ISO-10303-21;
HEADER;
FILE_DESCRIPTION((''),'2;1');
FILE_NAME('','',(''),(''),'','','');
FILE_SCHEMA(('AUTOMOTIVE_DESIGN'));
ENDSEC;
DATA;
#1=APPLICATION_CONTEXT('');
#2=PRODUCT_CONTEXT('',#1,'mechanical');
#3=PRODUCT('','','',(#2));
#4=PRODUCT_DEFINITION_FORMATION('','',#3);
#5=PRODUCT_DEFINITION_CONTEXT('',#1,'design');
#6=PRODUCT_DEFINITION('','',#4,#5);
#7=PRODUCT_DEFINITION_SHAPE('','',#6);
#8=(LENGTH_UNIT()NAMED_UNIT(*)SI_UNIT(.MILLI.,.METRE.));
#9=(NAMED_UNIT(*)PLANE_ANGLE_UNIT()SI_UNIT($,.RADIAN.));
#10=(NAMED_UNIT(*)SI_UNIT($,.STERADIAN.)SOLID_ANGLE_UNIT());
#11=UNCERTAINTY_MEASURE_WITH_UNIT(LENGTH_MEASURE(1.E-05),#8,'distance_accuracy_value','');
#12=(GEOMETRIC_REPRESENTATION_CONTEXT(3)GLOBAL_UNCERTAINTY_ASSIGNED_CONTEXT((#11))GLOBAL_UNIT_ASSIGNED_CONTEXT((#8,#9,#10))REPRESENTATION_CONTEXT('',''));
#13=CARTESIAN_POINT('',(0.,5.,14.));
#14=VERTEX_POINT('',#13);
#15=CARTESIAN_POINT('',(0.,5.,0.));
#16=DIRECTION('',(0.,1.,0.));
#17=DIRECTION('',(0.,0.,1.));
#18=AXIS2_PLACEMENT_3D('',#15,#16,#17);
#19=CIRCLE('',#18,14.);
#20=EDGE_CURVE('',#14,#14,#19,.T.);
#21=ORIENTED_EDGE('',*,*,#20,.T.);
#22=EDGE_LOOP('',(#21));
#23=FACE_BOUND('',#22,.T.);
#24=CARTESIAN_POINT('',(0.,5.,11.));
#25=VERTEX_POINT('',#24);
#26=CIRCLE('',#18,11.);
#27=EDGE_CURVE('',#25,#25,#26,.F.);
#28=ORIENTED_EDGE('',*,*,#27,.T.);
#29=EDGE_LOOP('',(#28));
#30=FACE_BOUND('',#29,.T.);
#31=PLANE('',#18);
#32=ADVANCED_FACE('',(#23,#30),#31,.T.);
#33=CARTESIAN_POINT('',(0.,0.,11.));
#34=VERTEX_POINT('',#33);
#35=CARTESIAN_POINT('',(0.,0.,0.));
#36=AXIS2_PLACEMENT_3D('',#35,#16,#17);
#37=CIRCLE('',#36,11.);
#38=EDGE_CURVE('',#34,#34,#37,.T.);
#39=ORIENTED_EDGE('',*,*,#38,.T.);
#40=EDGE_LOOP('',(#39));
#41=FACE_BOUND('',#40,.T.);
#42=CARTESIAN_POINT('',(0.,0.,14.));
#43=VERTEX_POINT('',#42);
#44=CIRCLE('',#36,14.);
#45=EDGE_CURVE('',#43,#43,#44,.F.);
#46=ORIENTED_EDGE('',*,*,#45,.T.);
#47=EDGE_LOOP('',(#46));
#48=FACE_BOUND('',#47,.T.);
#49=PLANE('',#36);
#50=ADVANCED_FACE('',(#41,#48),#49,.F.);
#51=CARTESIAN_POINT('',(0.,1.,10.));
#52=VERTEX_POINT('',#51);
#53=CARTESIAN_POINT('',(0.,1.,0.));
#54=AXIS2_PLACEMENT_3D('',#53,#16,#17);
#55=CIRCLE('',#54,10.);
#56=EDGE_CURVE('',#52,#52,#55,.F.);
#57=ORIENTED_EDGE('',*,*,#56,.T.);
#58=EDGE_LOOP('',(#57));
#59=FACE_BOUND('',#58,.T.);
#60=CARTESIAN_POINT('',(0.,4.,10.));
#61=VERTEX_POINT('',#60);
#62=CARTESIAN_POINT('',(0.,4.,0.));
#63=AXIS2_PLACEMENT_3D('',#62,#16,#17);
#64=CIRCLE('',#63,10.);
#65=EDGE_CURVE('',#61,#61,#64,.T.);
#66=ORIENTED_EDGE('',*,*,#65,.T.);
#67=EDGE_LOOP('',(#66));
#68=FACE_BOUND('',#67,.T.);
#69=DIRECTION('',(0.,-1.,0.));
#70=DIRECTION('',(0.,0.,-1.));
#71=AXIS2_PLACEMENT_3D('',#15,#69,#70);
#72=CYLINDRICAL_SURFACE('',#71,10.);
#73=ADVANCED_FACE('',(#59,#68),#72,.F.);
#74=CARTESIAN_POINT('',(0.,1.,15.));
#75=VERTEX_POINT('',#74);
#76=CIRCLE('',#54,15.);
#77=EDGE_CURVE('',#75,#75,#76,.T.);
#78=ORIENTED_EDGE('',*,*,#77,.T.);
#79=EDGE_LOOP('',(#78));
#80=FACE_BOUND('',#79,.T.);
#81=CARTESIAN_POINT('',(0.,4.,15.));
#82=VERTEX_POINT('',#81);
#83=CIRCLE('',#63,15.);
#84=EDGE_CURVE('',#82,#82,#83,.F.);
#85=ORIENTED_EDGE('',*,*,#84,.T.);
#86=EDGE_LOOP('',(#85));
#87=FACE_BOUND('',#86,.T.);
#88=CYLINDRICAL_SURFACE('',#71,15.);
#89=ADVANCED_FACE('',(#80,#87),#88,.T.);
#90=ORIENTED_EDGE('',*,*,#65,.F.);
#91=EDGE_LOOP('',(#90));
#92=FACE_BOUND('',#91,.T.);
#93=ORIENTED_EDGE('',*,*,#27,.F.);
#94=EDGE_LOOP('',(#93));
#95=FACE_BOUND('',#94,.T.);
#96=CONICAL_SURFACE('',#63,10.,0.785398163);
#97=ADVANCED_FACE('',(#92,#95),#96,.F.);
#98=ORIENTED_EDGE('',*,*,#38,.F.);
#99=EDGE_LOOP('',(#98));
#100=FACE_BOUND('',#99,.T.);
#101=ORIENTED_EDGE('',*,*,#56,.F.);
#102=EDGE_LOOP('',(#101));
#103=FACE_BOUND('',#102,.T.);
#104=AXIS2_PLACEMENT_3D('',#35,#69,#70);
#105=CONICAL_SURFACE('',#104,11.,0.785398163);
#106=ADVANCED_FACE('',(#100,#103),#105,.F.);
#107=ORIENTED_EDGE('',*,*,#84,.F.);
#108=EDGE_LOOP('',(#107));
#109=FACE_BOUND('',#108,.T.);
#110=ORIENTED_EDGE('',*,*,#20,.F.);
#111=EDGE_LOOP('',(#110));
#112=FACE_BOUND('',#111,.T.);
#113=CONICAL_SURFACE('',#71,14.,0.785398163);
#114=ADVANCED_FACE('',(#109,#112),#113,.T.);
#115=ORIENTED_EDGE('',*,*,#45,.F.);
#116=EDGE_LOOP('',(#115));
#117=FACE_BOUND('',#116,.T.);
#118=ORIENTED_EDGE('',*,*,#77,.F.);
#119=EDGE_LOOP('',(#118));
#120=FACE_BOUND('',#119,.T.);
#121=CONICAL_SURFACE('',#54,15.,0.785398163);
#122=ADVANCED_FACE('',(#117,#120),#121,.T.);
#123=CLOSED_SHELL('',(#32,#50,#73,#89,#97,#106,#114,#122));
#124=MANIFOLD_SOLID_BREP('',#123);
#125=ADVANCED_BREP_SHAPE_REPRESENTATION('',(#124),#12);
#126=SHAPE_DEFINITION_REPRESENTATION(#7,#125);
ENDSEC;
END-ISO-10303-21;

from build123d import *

# Parameters (mm, degrees)
SKETCH1_R           = 15
SKETCH1_R_2         = 10
EXTRUDE_THIN1_DEPTH = 5
CHAMFER1_SIZE       = 1


with BuildPart() as part:
    # Sketch1 → Extrude-Thin1 (new body)
    with BuildSketch(Plane(origin=(0, 0, 0), x_dir=(1, 0, 0), z_dir=(0, 1, 0))):
        Circle(SKETCH1_R)
        Circle(SKETCH1_R_2, mode=Mode.SUBTRACT)
    extrude(amount=EXTRUDE_THIN1_DEPTH)

    # Chamfer1
    chamfer1_edges = [part.edges().sort_by_distance(p)[0] for p in [
        (-15, 0, 0),
        (-10, 0, 0),
        (-15, 5, 0),
        (-10, 5, 0),
    ]]
    chamfer(chamfer1_edges, length=CHAMFER1_SIZE)


solid = part.part
